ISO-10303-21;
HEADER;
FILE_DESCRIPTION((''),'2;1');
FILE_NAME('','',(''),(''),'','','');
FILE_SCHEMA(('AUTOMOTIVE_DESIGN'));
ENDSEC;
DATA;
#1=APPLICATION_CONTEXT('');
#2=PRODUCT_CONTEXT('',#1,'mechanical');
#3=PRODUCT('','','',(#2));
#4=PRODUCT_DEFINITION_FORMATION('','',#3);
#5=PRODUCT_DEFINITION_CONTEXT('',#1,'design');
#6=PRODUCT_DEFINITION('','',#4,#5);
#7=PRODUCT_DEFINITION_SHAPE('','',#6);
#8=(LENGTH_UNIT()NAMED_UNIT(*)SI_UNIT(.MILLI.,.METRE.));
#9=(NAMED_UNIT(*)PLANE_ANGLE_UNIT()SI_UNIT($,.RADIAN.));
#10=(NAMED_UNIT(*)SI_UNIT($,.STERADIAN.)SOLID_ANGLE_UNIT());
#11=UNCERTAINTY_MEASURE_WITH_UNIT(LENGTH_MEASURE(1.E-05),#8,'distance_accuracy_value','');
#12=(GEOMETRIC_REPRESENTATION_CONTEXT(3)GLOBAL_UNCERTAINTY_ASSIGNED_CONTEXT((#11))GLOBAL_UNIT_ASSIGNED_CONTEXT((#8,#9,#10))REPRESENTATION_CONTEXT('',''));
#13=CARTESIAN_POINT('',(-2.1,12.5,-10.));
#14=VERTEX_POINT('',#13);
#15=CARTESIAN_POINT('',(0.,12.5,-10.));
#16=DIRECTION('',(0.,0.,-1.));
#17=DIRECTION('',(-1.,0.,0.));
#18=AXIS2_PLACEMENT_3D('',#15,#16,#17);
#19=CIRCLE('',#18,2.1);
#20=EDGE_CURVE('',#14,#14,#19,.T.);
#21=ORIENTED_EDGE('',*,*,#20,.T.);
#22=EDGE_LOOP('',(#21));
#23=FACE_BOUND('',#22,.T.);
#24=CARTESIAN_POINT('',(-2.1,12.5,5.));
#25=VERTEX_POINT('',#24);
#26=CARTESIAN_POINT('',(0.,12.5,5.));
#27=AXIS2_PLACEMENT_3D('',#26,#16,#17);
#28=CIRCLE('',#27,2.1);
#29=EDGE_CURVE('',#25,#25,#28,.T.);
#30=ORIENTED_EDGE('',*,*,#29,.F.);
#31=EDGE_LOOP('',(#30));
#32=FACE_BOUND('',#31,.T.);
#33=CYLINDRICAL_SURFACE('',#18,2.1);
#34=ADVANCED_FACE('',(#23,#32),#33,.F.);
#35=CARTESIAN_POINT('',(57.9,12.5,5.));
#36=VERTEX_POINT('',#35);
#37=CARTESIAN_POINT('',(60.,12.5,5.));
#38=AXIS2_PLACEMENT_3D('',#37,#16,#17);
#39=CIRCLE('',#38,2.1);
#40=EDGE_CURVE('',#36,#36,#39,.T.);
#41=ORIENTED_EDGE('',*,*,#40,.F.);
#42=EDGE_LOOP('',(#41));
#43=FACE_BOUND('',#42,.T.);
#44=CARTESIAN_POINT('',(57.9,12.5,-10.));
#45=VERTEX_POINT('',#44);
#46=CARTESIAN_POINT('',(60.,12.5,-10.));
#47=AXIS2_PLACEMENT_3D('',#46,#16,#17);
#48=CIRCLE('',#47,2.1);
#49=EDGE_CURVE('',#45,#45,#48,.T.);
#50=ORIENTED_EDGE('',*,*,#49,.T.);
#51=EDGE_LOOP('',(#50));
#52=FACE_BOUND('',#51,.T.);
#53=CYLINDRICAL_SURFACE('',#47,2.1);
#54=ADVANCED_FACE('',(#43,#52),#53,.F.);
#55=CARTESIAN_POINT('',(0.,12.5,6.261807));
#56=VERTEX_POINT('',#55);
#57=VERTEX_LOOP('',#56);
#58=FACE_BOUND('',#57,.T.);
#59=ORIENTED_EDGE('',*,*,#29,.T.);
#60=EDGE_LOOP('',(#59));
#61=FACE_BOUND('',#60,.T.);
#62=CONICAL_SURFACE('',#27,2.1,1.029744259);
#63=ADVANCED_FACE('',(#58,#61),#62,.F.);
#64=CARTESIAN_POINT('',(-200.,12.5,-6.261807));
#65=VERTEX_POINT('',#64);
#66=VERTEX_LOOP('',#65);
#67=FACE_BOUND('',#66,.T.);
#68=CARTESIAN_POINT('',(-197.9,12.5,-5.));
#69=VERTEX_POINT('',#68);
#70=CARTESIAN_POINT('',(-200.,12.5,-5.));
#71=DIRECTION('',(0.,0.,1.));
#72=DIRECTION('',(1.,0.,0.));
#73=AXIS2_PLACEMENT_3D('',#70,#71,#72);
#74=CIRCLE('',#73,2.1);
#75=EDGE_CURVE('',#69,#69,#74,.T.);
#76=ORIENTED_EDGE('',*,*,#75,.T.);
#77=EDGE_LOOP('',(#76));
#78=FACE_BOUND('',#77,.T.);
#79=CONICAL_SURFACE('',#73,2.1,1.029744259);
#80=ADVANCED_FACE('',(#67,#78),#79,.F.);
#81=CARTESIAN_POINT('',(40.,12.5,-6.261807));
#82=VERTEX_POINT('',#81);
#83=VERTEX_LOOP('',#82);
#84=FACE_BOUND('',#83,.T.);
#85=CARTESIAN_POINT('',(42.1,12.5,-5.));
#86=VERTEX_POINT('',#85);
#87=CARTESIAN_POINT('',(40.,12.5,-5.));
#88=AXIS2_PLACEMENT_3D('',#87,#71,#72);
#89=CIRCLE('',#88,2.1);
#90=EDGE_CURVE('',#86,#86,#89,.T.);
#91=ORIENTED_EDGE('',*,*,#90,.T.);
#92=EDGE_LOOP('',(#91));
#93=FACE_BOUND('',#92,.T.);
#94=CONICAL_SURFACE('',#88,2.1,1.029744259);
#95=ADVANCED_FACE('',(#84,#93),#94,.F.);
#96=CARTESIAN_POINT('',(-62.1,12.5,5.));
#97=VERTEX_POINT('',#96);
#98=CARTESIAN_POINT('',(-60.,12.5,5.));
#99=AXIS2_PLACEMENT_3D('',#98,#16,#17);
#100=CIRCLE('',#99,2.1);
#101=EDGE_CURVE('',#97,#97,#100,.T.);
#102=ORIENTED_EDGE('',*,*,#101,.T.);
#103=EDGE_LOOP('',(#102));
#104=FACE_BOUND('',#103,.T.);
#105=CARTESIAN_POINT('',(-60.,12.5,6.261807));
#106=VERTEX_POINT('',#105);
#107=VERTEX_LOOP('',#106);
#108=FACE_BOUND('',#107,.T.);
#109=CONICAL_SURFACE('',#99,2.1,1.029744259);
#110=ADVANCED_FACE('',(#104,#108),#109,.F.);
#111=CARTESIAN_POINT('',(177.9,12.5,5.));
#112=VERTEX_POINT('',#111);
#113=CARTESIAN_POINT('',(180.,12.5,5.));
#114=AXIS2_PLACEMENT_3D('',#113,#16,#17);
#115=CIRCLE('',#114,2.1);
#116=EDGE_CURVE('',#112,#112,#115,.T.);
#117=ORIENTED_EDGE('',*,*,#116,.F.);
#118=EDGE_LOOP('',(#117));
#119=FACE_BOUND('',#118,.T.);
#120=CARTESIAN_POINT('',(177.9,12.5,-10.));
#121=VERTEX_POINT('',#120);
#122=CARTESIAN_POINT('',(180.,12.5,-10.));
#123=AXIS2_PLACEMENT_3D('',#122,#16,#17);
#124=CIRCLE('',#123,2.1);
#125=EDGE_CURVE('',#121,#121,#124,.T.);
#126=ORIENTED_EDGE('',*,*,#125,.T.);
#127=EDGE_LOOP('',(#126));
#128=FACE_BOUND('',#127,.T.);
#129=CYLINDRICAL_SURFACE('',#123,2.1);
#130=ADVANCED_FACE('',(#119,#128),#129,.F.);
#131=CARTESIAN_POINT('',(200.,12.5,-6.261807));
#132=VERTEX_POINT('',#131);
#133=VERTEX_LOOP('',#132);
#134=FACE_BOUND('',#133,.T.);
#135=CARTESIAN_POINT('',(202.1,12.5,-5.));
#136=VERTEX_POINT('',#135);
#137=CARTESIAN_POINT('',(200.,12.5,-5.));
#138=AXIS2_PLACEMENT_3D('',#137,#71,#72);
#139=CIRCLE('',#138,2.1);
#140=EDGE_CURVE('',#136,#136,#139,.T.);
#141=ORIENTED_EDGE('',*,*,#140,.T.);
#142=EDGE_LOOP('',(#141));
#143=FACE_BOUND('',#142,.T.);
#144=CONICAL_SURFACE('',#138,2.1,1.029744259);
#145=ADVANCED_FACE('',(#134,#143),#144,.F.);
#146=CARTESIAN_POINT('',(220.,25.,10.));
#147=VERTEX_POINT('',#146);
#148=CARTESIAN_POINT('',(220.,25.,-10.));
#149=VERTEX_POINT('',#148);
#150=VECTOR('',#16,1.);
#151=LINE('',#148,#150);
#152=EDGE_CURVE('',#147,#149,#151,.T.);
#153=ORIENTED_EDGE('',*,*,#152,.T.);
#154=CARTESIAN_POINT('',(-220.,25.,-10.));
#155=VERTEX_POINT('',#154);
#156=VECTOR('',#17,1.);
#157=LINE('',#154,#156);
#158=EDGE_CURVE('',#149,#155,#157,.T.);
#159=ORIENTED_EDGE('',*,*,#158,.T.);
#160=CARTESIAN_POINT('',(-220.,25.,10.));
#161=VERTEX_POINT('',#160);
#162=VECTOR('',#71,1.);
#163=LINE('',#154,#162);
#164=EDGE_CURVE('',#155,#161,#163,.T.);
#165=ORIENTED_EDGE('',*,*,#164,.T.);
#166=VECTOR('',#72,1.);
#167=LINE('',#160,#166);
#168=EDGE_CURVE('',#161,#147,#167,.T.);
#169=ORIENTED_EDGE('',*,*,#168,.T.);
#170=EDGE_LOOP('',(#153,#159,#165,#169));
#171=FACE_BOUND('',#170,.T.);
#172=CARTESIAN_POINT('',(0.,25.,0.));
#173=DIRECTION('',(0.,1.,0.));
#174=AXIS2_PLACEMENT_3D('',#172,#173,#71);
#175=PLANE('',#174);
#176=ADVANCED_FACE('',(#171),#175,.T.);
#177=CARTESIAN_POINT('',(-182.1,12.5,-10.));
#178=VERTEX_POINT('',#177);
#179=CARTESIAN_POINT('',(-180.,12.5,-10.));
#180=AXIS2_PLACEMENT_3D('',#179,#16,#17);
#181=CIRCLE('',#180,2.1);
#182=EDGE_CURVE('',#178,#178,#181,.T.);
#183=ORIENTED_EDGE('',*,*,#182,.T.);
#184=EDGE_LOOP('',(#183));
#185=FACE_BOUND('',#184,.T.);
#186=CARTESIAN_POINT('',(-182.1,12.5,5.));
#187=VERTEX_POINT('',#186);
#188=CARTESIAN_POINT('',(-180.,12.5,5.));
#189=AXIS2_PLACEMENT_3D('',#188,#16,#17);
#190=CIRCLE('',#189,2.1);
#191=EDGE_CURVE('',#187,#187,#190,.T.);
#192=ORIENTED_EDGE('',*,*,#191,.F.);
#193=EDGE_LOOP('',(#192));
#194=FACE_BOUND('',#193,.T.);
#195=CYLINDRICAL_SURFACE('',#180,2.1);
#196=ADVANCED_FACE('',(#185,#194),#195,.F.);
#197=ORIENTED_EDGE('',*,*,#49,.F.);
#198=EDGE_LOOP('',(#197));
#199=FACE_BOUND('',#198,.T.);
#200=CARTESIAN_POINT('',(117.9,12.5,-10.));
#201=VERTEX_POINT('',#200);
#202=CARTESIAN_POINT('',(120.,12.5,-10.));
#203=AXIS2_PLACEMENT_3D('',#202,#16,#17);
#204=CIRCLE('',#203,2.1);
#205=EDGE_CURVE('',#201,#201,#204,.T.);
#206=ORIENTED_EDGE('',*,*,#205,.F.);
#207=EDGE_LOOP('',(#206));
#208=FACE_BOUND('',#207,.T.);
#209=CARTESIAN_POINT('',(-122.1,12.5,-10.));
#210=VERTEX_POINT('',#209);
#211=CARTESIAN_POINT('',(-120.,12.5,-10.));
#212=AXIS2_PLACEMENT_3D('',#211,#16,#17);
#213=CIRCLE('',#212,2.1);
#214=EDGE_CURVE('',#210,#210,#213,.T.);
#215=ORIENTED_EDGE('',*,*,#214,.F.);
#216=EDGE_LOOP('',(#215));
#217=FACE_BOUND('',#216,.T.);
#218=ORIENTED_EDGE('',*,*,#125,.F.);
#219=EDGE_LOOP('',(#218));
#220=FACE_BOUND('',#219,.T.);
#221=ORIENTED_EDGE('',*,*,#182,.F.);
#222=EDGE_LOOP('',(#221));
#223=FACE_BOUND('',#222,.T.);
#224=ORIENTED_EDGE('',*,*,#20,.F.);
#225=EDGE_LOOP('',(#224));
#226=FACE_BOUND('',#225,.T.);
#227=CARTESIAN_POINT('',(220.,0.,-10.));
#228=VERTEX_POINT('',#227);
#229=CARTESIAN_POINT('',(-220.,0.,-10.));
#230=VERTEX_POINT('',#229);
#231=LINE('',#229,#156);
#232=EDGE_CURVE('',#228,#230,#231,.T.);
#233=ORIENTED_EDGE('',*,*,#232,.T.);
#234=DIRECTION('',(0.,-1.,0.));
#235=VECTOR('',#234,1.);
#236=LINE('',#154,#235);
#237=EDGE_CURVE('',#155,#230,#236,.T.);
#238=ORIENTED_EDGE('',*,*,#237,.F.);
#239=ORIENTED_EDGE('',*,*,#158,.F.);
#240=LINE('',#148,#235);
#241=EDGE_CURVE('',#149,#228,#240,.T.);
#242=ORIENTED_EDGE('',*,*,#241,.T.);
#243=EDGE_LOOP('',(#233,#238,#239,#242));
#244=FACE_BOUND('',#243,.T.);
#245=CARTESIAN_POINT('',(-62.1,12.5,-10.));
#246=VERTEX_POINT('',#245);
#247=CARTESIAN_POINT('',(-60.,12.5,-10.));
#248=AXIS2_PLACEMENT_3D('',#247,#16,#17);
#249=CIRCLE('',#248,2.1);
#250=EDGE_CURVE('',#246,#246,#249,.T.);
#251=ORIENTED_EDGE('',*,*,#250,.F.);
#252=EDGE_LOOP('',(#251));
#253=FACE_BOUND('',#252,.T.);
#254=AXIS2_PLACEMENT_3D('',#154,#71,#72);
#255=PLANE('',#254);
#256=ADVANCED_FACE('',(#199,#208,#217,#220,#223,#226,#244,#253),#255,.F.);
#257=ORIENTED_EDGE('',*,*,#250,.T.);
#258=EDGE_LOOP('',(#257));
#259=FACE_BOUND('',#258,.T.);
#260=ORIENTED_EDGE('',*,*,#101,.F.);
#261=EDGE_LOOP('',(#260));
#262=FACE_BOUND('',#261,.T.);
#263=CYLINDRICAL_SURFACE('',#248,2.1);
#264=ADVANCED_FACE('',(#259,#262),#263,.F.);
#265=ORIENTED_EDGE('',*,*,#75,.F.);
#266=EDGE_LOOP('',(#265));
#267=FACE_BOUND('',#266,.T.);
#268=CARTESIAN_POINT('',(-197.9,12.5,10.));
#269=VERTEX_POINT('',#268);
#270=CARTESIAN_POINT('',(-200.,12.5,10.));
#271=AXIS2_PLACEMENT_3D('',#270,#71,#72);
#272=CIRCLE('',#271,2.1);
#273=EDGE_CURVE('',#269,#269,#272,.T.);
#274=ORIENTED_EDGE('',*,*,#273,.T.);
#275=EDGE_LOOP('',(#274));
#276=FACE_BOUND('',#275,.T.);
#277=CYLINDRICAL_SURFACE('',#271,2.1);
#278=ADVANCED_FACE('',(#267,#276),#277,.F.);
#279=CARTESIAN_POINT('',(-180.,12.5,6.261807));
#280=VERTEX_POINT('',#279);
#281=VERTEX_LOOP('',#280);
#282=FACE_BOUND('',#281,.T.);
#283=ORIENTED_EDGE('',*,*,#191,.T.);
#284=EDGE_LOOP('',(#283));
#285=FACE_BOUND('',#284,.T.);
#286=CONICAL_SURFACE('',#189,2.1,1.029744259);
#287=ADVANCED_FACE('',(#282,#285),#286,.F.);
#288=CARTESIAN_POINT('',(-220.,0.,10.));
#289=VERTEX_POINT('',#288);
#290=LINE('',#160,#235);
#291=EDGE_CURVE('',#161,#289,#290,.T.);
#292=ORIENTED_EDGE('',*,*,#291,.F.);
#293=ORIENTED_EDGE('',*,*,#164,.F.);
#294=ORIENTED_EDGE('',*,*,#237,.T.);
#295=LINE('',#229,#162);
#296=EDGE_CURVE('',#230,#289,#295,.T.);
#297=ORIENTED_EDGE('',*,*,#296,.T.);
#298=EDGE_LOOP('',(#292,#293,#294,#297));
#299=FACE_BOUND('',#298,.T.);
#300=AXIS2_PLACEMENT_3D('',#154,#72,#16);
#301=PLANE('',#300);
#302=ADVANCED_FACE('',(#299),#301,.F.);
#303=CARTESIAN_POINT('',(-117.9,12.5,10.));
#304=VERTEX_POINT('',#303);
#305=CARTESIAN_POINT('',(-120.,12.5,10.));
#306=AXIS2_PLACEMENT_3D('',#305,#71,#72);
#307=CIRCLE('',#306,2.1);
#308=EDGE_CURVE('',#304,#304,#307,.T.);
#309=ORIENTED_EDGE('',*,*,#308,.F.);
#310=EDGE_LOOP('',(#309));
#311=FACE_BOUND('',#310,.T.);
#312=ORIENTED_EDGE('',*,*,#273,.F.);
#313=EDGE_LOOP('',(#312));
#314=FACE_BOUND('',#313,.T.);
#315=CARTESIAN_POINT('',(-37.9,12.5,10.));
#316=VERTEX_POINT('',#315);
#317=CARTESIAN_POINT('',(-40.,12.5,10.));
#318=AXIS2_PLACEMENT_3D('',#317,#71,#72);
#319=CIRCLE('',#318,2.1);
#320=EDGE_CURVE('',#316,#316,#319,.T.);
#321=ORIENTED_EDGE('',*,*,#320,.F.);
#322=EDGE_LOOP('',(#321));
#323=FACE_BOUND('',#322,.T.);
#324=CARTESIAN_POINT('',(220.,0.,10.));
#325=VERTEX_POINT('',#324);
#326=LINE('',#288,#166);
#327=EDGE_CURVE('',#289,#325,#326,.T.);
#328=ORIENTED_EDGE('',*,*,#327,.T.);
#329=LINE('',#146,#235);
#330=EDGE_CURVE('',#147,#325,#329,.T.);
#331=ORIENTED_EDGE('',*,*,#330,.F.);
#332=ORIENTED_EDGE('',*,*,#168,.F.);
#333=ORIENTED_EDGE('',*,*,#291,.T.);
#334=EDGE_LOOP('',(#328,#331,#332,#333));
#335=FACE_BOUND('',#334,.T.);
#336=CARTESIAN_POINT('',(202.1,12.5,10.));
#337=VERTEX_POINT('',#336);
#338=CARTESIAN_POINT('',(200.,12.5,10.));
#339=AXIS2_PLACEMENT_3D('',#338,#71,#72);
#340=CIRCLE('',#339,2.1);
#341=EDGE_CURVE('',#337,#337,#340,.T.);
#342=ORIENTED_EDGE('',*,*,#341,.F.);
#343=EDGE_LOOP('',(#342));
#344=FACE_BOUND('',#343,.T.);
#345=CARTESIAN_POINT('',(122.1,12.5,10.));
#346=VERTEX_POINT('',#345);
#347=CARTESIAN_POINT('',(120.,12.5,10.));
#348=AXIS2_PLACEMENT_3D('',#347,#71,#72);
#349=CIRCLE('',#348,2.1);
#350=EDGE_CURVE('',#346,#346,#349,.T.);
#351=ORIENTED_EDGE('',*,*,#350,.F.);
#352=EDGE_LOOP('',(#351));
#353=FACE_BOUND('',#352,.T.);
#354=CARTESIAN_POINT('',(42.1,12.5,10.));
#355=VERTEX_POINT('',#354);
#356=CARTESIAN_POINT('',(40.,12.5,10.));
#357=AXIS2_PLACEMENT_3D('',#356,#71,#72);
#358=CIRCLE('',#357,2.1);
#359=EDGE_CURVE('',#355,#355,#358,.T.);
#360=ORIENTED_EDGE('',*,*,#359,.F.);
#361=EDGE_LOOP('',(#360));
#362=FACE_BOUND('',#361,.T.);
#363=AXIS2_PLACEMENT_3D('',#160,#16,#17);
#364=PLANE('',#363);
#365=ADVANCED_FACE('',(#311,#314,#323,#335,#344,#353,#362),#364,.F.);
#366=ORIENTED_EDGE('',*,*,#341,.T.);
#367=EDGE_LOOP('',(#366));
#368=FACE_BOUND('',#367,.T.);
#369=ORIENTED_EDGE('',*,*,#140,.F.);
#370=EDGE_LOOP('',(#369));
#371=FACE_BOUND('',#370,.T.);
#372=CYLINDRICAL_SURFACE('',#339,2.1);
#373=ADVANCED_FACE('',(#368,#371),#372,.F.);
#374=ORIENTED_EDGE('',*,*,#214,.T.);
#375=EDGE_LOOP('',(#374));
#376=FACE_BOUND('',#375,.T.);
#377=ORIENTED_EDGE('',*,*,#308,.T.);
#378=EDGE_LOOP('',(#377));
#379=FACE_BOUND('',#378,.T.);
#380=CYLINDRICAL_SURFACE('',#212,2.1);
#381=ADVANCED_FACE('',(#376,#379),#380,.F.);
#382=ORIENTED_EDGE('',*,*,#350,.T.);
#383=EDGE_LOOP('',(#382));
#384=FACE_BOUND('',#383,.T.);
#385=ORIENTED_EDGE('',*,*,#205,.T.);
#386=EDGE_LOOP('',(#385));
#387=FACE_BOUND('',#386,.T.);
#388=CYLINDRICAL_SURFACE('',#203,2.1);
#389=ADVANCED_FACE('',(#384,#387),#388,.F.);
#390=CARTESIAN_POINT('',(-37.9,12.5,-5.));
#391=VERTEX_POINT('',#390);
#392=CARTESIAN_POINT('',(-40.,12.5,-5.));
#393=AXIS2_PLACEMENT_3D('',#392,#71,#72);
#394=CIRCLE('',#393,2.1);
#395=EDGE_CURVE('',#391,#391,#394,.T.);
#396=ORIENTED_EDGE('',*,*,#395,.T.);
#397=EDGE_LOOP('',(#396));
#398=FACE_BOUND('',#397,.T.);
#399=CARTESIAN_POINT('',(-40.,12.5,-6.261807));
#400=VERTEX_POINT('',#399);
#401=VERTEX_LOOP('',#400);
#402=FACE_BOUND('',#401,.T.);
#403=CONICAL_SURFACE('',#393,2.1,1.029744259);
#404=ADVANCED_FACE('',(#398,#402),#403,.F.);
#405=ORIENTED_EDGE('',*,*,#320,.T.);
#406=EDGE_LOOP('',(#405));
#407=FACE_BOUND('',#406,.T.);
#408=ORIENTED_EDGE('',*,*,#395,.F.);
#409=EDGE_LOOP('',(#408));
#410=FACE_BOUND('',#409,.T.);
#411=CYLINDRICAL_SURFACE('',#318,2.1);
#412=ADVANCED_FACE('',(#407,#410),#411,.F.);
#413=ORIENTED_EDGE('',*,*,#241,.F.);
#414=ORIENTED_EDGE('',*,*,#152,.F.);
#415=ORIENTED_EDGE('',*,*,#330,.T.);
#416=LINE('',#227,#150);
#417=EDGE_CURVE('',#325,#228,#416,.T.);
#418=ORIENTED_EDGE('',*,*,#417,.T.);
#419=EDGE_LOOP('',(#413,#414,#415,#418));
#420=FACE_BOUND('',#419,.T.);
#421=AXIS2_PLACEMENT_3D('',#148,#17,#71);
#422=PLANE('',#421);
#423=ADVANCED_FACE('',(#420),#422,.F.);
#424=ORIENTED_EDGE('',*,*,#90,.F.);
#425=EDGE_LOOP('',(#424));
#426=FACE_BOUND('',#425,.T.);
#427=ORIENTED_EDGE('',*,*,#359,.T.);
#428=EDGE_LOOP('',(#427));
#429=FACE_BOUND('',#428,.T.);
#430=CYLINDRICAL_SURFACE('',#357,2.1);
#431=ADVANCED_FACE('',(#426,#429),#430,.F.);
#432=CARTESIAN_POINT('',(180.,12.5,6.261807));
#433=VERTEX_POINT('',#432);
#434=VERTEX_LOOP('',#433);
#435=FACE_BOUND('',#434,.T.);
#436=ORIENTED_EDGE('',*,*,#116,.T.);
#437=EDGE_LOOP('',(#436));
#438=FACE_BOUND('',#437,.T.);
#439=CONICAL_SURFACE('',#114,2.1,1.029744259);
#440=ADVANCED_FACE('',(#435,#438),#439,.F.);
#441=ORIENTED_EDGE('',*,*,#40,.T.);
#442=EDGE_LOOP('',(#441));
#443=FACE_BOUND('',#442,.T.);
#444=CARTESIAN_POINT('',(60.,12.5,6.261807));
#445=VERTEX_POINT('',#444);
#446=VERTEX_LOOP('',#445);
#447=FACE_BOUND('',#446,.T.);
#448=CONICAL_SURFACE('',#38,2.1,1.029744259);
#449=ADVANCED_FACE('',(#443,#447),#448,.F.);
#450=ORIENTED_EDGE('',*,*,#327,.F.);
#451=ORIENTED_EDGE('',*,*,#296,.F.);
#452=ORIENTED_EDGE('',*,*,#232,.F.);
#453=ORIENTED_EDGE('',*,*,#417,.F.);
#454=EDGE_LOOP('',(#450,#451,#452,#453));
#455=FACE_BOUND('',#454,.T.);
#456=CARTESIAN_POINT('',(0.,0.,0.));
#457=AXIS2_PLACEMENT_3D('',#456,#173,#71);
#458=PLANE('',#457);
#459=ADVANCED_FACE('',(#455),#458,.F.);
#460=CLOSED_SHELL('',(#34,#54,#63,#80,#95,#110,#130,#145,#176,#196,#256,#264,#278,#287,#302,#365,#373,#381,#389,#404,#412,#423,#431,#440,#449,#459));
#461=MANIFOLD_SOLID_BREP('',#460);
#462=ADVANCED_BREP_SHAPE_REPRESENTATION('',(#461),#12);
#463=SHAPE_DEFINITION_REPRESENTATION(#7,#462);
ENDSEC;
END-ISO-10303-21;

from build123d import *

# Parameters (mm, degrees)
SKETCH1_W             = 440
SKETCH1_H             = 20
BOSS_EXTRUDE1_DEPTH   = 25
M5_TAPPED_HOLE1_D     = 4.2
M5_TAPPED_HOLE1_DEPTH = 15
M5_TAPPED_HOLE1_TIP   = 1.2618073
M5_TAPPED_HOLE2_D     = 4.2
M5_TAPPED_HOLE2_DEPTH = 15
M5_TAPPED_HOLE2_TIP   = 1.2618073


with BuildPart() as part:
    # Sketch1 → Boss-Extrude1 (new body)
    with BuildSketch(Plane(origin=(0, 0, 0), x_dir=(1, 0, 0), z_dir=(0, 1, 0))):
        Rectangle(SKETCH1_W, SKETCH1_H)
    extrude(amount=BOSS_EXTRUDE1_DEPTH)

    # M5 Tapped Hole1
    with Locations(Plane(origin=(0, 0, -10), x_dir=(-1, 0, 0), z_dir=(0, 0, -1))):
        with Locations((0, 12.5), (60, 12.5), (120, 12.5), (180, 12.5), (-60, 12.5), (-120, 12.5), (-180, 12.5)):
            Hole(M5_TAPPED_HOLE1_D / 2, depth=M5_TAPPED_HOLE1_DEPTH)
            with Locations((0, 0, -(M5_TAPPED_HOLE1_DEPTH + M5_TAPPED_HOLE1_TIP / 2))):  # 118° drill point
                Cone(0, M5_TAPPED_HOLE1_D / 2, M5_TAPPED_HOLE1_TIP, mode=Mode.SUBTRACT)

    # M5 Tapped Hole2
    with Locations(Plane.XY.offset(10)):
        with Locations((40, 12.5), (120, 12.5), (200, 12.5), (-40, 12.5), (-120, 12.5), (-200, 12.5)):
            Hole(M5_TAPPED_HOLE2_D / 2, depth=M5_TAPPED_HOLE2_DEPTH)
            with Locations((0, 0, -(M5_TAPPED_HOLE2_DEPTH + M5_TAPPED_HOLE2_TIP / 2))):  # 118° drill point
                Cone(0, M5_TAPPED_HOLE2_D / 2, M5_TAPPED_HOLE2_TIP, mode=Mode.SUBTRACT)


solid = part.part
